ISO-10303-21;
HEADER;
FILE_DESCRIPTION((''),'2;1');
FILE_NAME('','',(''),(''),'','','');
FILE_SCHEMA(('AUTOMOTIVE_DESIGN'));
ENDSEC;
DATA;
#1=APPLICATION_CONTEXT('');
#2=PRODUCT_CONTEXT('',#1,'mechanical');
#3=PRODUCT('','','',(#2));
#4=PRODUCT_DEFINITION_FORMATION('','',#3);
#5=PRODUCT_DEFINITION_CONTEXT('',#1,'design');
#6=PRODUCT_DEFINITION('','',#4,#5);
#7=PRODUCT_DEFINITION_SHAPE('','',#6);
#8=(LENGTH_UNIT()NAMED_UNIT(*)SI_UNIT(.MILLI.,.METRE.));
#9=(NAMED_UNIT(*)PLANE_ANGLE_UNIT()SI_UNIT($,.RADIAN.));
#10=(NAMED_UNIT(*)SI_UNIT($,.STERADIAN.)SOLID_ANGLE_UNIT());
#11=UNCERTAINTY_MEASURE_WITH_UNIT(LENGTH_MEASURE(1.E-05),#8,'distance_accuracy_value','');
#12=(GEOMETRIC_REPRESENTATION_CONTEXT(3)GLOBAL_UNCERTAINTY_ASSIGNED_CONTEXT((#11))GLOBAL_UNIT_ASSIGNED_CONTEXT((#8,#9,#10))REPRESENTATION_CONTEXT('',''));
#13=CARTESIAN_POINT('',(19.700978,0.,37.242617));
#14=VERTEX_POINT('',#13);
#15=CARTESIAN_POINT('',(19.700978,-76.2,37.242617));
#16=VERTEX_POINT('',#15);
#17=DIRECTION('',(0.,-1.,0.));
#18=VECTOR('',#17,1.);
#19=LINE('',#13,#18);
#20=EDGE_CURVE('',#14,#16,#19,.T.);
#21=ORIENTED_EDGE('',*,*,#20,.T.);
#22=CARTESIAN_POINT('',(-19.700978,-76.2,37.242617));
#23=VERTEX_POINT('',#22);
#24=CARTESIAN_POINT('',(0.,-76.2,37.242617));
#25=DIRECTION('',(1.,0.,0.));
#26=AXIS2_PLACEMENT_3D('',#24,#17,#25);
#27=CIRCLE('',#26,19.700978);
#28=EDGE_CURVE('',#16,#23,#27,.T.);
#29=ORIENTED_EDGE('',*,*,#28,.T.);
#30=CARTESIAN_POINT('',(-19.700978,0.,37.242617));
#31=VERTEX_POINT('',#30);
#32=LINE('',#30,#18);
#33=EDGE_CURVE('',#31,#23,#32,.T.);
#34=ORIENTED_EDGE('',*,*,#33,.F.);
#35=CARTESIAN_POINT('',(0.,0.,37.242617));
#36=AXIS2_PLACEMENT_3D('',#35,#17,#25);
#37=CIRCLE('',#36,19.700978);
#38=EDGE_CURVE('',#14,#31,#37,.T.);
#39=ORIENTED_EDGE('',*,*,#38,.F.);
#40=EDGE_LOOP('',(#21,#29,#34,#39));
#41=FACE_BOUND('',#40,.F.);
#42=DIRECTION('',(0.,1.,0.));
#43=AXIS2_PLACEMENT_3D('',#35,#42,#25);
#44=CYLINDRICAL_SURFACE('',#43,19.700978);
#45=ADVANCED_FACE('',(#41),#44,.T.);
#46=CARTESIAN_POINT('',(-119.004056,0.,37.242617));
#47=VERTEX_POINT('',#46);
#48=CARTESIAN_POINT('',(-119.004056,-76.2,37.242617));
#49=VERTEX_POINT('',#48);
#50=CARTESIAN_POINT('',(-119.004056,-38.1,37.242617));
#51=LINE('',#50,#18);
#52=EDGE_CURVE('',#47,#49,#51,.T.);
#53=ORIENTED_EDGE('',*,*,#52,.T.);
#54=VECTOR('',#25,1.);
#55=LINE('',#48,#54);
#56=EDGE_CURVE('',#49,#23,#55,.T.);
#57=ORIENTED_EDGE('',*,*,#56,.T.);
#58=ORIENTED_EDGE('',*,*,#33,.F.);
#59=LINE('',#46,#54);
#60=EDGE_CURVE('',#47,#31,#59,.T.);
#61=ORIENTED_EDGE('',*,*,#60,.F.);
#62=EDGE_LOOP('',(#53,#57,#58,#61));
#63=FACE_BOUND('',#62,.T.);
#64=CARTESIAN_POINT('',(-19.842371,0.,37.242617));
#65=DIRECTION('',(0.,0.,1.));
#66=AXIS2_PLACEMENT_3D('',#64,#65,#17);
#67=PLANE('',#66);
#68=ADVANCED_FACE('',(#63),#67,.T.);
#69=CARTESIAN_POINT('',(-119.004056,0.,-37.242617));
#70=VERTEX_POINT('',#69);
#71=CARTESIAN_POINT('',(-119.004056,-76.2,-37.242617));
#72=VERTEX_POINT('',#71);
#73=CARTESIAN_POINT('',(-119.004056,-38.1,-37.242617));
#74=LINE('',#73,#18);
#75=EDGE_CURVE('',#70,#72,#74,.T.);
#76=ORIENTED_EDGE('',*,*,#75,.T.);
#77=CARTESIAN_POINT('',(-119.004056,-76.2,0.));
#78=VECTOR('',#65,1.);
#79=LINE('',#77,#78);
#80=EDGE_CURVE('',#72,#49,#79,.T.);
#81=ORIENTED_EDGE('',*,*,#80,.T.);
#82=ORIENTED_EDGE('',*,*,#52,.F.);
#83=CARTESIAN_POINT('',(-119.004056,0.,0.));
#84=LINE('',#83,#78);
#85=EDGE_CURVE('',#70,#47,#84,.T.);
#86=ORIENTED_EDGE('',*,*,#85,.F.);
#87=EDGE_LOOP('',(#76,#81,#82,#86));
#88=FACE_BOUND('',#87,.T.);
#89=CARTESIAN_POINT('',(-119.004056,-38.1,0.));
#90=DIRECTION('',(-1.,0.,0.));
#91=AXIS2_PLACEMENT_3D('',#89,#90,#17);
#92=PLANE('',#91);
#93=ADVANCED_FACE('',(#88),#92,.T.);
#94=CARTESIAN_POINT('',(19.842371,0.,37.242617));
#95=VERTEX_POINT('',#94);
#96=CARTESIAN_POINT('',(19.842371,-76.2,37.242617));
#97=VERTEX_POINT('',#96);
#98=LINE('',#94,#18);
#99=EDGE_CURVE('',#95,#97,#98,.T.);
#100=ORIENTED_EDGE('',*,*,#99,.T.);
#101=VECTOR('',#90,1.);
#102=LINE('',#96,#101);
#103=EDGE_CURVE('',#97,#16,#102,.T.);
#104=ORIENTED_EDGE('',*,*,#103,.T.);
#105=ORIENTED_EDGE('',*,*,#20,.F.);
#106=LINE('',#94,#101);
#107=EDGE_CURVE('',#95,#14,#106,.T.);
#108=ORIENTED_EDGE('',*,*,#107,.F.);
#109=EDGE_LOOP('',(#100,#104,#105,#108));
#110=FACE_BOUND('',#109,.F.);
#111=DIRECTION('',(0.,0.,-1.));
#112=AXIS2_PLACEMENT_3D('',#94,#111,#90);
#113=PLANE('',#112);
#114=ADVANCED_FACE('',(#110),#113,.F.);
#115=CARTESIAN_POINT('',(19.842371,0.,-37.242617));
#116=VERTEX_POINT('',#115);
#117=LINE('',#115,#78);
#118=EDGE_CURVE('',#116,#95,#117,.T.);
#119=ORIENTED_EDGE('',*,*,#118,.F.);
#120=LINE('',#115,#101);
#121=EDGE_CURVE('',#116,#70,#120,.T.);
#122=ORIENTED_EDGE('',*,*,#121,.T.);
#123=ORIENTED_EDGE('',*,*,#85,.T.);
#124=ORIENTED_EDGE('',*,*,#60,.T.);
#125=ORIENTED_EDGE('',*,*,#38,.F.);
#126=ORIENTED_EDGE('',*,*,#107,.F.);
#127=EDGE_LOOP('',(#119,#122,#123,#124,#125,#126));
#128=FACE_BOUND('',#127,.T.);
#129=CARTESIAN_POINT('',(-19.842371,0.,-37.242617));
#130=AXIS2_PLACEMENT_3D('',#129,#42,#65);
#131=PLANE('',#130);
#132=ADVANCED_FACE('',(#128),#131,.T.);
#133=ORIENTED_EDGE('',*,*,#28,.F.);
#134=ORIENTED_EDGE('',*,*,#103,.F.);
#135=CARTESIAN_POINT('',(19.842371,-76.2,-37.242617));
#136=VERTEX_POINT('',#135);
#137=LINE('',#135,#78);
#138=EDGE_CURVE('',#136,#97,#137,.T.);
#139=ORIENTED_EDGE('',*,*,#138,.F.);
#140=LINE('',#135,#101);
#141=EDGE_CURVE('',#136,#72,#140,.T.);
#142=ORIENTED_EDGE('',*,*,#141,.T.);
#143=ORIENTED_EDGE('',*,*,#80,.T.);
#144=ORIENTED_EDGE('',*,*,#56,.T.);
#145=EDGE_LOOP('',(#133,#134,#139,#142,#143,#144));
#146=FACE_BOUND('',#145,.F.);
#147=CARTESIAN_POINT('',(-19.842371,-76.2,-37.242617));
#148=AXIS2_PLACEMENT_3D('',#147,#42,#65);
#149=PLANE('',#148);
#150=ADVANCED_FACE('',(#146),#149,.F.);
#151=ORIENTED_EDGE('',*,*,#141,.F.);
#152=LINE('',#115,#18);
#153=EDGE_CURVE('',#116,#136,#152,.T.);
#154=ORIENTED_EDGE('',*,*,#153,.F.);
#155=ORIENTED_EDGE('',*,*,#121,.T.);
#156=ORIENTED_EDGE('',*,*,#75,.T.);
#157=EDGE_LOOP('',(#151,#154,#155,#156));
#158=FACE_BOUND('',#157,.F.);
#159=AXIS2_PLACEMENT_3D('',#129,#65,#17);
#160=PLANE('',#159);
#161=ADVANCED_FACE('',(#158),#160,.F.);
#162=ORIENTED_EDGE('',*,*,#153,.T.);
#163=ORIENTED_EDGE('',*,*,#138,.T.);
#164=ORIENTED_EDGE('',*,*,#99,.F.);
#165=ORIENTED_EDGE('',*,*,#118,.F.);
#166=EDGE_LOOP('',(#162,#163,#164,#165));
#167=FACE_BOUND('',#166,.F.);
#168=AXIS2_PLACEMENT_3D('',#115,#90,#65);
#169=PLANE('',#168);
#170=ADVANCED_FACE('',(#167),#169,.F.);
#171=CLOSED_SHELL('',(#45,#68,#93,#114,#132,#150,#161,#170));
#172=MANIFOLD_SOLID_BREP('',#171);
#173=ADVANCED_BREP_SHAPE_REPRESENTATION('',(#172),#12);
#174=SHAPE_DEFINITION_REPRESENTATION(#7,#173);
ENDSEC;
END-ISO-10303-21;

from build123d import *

# Parameters (mm, degrees)
F0_R      = 8.547489
F1_DEPTH  = 76.2
F1_FACE_W = 76.2
F1_FACE_H = 74.485234
F2_DEPTH  = 99.161685


with BuildPart() as f1:
    # F0 (on Front) → F1 (new body)
    with BuildSketch(Plane.XZ):
        with BuildLine():
            Line((-19.700978, 37.242617), (-19.842371, 37.242617))
            Line((-19.842371, 37.242617), (-19.842371, -37.242617))
            Line((-19.842371, -37.242617), (19.842371, -37.242617))
            Line((19.842371, -37.242617), (19.842371, 37.242617))
            Line((19.842371, 37.242617), (19.700978, 37.242617))
            ThreePointArc((19.700978, 37.242617), (0, 56.943595), (-19.700978, 37.242617))
        make_face()
        with Locations((0, 37.242617)):
            Circle(F0_R, mode=Mode.SUBTRACT)
        with Locations((0, 37.242617)):
            Circle(F0_R)
    extrude(amount=F1_DEPTH)

    # F1_face (on face) → F2 (join)
    with BuildSketch(Plane(origin=(-19.842371, -38.1, 0), x_dir=(0, -1, 0), z_dir=(-1, 0, 0))):
        Rectangle(F1_FACE_W, F1_FACE_H)
    extrude(amount=F2_DEPTH)


solid = f1.part
